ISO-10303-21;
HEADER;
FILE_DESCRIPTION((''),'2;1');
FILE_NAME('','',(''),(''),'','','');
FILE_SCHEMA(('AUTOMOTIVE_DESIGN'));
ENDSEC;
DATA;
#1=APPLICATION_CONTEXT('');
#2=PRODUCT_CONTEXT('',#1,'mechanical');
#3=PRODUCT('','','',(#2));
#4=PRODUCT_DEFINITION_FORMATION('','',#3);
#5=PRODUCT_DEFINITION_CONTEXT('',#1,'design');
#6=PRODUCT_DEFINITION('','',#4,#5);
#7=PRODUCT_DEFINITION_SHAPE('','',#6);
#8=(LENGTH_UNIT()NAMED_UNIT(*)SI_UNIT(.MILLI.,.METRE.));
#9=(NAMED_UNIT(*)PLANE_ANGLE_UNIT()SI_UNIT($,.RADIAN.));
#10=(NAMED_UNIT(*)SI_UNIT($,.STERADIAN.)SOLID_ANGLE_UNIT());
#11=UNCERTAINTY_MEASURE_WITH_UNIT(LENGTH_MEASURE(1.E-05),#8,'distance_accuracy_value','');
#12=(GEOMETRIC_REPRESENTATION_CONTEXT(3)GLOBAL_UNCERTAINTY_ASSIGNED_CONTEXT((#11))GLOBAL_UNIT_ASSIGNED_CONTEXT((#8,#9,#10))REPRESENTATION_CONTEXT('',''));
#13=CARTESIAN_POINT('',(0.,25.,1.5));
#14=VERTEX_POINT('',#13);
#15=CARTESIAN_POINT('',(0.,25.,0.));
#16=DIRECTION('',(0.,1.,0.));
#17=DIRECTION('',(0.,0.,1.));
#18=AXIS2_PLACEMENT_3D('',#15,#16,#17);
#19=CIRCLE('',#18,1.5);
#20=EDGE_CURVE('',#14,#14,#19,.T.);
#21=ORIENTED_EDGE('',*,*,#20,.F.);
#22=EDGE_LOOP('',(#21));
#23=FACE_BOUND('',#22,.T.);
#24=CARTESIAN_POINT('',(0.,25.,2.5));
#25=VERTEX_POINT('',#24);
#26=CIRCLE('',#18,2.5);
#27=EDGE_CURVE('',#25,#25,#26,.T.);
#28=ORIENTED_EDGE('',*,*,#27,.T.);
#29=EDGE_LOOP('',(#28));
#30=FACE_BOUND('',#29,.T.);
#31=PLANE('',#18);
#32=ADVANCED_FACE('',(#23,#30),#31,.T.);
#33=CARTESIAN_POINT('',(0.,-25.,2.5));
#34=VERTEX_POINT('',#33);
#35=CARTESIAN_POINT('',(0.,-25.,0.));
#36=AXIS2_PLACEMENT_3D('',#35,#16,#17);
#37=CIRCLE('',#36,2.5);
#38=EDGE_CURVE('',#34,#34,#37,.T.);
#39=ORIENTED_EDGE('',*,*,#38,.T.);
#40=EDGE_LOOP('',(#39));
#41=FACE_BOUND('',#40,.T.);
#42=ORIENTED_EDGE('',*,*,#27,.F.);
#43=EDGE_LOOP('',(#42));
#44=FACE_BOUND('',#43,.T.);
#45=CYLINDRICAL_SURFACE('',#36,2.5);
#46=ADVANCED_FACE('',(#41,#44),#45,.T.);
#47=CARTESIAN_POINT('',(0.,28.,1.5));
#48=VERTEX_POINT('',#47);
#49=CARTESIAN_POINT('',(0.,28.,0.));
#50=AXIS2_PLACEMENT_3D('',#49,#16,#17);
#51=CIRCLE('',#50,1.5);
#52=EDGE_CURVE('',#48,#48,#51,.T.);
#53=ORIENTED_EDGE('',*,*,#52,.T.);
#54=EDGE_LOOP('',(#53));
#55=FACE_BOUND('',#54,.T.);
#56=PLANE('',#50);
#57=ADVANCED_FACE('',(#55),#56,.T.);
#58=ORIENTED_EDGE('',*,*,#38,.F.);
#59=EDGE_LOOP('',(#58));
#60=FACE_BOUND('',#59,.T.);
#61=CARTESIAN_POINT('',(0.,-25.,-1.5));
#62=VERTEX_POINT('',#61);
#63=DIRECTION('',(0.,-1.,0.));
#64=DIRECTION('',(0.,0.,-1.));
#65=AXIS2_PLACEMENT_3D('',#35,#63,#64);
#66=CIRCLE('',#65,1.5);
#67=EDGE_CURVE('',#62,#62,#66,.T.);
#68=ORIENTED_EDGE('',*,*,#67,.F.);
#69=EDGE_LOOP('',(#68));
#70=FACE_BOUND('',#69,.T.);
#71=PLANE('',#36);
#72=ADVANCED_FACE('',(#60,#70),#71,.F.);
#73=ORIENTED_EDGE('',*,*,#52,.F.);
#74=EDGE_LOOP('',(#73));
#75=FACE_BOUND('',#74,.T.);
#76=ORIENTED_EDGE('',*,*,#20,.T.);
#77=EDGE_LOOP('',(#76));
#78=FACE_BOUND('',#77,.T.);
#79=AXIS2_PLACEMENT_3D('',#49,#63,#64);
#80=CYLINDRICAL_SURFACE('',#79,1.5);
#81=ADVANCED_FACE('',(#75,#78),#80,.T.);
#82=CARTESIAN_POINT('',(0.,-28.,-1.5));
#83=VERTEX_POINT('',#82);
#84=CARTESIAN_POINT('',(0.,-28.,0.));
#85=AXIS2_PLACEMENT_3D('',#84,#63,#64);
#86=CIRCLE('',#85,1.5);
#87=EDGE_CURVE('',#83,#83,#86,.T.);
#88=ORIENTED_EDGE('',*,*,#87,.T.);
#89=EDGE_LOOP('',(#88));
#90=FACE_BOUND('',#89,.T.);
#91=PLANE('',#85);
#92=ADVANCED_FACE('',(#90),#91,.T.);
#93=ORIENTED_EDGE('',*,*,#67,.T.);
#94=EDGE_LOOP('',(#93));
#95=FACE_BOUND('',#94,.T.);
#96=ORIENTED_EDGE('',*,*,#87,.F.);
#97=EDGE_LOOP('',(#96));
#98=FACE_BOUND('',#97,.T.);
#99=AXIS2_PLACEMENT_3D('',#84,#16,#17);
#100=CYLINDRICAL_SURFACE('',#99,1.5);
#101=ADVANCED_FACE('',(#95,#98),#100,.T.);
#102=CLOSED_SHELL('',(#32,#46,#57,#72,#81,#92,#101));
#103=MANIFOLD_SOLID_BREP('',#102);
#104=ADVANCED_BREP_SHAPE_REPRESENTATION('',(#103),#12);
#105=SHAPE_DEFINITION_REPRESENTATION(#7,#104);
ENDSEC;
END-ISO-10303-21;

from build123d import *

# Parameters (mm, degrees)
SKETCH_1_R      = 2.5
EXTRUDE_2_DEPTH = 25
SKETCH_2_R      = 1.5
EXTRUDE_3_DEPTH = 3
EXTRUDE_START   = 3
SKETCH_3_R      = 1.5
EXTRUDE_4_DEPTH = 3


with BuildPart() as part:
    # 草图1 → 凸台-拉伸2 (new, symmetric)
    with BuildSketch(Plane(origin=(0, 0, 0), x_dir=(1, 0, 0), z_dir=(0, 1, 0))):
        with Locations(Location((0, 0, 0), (0, 0, 270))):
            Circle(SKETCH_1_R)
    extrude(amount=EXTRUDE_2_DEPTH, both=True)

    # 草图2 → 凸台-拉伸3 (add)
    with BuildSketch(Plane(origin=(0, 25, 0), x_dir=(1, 0, 0), z_dir=(0, 1, 0))):
        with Locations(Location((0, 0, 0), (0, 0, 270))):
            Circle(SKETCH_2_R)
    extrude(amount=EXTRUDE_3_DEPTH)

    # 草图3 → 凸台-拉伸4 (add)
    with BuildSketch(Plane.XZ.offset(25).offset(EXTRUDE_START)):
        with Locations(Location((0, 0, 0), (0, 0, 90))):
            Circle(SKETCH_3_R)
    extrude(amount=-EXTRUDE_4_DEPTH)


solid = part.part
